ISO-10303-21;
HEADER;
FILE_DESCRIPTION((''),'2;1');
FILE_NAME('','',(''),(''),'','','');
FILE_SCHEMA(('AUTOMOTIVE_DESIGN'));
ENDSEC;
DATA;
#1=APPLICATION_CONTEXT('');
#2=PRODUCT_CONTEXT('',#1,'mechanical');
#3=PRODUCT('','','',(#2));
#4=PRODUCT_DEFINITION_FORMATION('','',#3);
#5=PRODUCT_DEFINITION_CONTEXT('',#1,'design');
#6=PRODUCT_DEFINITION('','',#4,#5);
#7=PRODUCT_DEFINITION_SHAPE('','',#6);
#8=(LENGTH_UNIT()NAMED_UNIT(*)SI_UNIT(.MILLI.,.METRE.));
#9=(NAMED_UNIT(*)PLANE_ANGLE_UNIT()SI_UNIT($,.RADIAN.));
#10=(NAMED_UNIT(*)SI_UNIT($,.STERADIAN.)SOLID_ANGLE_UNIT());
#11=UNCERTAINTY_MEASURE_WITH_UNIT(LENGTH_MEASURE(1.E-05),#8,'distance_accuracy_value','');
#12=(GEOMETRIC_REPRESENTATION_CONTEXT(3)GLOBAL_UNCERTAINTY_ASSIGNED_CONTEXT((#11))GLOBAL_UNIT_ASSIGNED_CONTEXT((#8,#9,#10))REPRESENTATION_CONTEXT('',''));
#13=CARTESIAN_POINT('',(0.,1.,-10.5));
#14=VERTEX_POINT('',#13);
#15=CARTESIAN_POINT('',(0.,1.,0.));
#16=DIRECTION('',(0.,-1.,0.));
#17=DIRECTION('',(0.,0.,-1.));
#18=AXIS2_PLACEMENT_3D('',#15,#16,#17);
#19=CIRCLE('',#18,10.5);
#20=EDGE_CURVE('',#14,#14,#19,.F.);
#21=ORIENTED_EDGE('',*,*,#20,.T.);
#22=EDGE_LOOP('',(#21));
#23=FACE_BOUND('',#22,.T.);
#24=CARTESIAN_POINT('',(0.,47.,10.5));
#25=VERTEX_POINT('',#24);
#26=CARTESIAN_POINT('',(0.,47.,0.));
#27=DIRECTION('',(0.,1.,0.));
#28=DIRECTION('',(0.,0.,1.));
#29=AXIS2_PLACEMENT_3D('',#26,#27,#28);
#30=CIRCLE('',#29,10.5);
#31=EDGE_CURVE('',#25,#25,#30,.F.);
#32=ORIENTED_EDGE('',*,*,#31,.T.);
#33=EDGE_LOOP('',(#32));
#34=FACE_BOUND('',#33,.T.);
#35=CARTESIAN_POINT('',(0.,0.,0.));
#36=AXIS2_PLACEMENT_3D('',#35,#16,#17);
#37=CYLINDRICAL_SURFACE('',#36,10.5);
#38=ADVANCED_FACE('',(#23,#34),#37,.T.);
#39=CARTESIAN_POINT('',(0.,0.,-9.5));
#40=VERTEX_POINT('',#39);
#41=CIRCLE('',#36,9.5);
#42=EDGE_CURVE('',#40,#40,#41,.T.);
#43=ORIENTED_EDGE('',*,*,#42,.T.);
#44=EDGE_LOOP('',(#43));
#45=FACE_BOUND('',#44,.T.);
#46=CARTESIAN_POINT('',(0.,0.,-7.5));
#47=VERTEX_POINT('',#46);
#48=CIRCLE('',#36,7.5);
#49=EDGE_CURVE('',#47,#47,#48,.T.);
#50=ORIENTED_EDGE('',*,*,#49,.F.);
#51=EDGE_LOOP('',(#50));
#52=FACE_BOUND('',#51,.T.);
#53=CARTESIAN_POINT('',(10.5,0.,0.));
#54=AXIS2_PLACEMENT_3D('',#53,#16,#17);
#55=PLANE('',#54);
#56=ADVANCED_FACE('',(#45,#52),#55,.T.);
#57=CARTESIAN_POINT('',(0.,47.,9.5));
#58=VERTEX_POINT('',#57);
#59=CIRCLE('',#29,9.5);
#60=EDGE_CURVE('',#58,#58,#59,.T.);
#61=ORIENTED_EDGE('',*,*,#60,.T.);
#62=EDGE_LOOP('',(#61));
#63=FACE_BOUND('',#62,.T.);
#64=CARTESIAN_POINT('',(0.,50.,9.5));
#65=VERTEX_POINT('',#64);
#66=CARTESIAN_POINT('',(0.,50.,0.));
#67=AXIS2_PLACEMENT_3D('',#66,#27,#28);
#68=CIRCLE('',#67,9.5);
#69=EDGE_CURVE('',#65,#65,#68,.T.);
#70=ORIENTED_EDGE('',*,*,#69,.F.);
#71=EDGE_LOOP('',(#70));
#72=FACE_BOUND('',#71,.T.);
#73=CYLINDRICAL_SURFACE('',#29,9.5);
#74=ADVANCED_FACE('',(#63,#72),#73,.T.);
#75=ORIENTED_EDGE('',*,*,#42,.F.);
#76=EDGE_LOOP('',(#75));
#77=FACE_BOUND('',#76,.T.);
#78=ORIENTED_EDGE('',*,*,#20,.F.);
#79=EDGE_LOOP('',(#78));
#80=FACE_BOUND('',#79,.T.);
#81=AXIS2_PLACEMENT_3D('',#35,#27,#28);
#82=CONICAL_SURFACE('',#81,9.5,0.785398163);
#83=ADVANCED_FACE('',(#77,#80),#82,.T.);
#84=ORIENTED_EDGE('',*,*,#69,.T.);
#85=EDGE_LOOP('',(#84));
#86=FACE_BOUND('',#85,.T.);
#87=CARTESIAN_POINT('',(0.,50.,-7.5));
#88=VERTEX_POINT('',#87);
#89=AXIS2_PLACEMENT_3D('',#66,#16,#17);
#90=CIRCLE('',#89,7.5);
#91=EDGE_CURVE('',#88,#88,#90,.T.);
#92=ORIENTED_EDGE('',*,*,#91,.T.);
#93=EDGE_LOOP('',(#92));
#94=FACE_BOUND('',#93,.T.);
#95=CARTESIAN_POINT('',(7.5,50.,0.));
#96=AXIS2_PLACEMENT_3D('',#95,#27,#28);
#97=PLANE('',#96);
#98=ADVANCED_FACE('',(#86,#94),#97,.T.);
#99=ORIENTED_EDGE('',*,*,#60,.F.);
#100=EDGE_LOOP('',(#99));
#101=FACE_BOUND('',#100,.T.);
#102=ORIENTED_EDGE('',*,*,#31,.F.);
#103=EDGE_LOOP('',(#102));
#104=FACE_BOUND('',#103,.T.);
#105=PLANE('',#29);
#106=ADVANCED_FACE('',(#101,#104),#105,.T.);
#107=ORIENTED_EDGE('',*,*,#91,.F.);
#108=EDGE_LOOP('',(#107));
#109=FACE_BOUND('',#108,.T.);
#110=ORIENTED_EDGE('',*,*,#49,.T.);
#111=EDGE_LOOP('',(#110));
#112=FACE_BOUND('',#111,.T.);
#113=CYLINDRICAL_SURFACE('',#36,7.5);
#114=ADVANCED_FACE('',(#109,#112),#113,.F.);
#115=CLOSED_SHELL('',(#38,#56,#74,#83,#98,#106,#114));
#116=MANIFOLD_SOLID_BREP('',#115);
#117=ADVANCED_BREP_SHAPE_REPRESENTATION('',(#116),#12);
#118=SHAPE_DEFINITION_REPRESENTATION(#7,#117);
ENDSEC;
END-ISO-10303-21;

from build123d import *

# Parameters (mm, degrees)
SKETCH_1_W          = 3
SKETCH_1_H          = 50
CHAMFER_1_SIZE      = 1
SKETCH_2_OUTSIDE_W  = 34.63
SKETCH_2_OUTSIDE_H  = 34.63
SKETCH_2_OUTSIDE_R  = 9.5
CUT_EXTRUDE_1_DEPTH = 3


with BuildPart() as part:
    # Эскиз1 → Повернуть1 (revolve)
    with BuildSketch(Plane.XY, mode=Mode.PRIVATE) as revolve_1_sk:
        with Locations((9, 25)):
            Rectangle(SKETCH_1_W, SKETCH_1_H)
    revolve(revolve_1_sk.sketch.rotate(Axis((0, 0, 0), (0, 1, 0)), 90), axis=Axis((0, 0, 0), (0, 1, 0)))

    # Фаска1
    chamfer_1_edges = [part.edges().sort_by_distance(p)[0] for p in [
        (0, 0, 10.5),
    ]]
    chamfer(chamfer_1_edges, length=CHAMFER_1_SIZE)

    # Эскиз2 outside → Вытянуть1 (cut)
    with BuildSketch(Plane(origin=(0, 50, 0), x_dir=(1, 0, 0), z_dir=(0, 1, 0))):
        Rectangle(SKETCH_2_OUTSIDE_W, SKETCH_2_OUTSIDE_H)
        with Locations(Location((0, 0, 0), (0, 0, 270))):
            Circle(SKETCH_2_OUTSIDE_R, mode=Mode.SUBTRACT)
    extrude(amount=-CUT_EXTRUDE_1_DEPTH, mode=Mode.SUBTRACT)


solid = part.part
